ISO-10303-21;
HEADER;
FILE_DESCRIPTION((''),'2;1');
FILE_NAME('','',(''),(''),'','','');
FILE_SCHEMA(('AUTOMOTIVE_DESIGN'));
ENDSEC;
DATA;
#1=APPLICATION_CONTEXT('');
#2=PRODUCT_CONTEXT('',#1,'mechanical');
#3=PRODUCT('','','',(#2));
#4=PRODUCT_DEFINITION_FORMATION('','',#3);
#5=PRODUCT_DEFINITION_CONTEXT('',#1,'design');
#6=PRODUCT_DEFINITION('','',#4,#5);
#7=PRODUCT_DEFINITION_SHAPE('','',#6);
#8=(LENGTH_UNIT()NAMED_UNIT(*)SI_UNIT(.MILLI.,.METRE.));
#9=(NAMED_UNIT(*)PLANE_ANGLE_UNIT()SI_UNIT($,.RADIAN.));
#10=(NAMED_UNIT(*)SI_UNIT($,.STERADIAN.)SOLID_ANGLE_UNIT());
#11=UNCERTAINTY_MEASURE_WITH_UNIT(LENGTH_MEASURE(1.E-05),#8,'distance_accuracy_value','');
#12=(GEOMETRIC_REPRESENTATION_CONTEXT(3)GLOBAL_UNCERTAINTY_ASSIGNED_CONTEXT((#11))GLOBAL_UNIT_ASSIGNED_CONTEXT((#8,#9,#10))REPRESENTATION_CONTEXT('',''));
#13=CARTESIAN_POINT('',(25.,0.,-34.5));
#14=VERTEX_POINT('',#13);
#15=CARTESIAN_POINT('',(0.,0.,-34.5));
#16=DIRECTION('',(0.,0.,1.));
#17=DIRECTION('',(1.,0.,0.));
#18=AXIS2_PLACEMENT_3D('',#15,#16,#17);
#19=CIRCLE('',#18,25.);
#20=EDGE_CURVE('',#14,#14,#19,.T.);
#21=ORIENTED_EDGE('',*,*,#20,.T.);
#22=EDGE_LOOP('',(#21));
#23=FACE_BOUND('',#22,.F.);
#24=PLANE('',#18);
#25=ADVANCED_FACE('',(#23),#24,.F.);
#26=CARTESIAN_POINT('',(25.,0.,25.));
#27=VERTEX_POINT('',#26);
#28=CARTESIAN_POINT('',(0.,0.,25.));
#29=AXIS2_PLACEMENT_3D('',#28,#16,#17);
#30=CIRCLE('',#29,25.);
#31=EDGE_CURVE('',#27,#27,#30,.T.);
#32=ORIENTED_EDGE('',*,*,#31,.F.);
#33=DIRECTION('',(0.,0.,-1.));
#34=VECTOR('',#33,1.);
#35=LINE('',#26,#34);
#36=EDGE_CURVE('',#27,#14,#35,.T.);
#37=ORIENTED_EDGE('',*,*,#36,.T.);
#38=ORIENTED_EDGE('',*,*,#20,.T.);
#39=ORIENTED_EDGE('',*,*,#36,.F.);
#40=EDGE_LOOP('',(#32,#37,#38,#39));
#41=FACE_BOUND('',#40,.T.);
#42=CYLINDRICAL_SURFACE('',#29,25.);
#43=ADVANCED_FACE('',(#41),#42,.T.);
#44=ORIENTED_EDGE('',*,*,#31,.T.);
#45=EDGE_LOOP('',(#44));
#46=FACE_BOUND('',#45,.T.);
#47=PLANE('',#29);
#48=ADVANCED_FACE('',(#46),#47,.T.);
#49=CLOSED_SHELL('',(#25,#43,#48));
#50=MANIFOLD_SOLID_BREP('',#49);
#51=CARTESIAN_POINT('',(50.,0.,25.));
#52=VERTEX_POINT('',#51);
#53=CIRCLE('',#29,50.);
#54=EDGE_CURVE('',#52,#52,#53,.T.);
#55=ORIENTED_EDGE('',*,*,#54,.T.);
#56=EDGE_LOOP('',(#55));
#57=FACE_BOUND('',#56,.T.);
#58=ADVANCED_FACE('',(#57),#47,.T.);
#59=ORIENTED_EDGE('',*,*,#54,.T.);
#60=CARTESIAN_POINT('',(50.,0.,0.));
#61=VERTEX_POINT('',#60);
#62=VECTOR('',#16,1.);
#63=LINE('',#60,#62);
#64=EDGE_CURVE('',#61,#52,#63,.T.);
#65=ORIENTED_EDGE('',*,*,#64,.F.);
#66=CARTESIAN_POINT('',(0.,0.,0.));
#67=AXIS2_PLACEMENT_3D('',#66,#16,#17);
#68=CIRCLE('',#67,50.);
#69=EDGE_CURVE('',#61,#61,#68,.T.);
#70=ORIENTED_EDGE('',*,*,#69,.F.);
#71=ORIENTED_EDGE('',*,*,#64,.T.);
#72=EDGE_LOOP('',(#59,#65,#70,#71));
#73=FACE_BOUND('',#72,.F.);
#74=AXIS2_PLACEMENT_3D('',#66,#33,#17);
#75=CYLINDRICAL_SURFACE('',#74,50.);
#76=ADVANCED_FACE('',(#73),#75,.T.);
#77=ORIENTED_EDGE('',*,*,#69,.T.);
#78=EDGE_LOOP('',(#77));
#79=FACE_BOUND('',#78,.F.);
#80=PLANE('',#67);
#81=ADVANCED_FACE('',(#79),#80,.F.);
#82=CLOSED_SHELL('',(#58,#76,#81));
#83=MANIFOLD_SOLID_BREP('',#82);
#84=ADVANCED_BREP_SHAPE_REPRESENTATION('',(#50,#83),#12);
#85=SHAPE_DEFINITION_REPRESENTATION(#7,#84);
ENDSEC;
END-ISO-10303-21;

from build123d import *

# Parameters (mm, degrees)
F0_R     = 50
F1_DEPTH = 25
F2_R     = 25
F3_DEPTH = 59.5


with BuildPart() as f1:
    # F0 (on Top) → F1 (new body)
    with BuildSketch(Plane.XY):
        Circle(F0_R)
    extrude(amount=F1_DEPTH)


with BuildPart() as f3:
    # F2 (on face) → F3 (new body)
    with BuildSketch(Plane.XY.offset(25)):
        Circle(F2_R)
    extrude(amount=-F3_DEPTH)


solid = Compound([f1.part, f3.part])
